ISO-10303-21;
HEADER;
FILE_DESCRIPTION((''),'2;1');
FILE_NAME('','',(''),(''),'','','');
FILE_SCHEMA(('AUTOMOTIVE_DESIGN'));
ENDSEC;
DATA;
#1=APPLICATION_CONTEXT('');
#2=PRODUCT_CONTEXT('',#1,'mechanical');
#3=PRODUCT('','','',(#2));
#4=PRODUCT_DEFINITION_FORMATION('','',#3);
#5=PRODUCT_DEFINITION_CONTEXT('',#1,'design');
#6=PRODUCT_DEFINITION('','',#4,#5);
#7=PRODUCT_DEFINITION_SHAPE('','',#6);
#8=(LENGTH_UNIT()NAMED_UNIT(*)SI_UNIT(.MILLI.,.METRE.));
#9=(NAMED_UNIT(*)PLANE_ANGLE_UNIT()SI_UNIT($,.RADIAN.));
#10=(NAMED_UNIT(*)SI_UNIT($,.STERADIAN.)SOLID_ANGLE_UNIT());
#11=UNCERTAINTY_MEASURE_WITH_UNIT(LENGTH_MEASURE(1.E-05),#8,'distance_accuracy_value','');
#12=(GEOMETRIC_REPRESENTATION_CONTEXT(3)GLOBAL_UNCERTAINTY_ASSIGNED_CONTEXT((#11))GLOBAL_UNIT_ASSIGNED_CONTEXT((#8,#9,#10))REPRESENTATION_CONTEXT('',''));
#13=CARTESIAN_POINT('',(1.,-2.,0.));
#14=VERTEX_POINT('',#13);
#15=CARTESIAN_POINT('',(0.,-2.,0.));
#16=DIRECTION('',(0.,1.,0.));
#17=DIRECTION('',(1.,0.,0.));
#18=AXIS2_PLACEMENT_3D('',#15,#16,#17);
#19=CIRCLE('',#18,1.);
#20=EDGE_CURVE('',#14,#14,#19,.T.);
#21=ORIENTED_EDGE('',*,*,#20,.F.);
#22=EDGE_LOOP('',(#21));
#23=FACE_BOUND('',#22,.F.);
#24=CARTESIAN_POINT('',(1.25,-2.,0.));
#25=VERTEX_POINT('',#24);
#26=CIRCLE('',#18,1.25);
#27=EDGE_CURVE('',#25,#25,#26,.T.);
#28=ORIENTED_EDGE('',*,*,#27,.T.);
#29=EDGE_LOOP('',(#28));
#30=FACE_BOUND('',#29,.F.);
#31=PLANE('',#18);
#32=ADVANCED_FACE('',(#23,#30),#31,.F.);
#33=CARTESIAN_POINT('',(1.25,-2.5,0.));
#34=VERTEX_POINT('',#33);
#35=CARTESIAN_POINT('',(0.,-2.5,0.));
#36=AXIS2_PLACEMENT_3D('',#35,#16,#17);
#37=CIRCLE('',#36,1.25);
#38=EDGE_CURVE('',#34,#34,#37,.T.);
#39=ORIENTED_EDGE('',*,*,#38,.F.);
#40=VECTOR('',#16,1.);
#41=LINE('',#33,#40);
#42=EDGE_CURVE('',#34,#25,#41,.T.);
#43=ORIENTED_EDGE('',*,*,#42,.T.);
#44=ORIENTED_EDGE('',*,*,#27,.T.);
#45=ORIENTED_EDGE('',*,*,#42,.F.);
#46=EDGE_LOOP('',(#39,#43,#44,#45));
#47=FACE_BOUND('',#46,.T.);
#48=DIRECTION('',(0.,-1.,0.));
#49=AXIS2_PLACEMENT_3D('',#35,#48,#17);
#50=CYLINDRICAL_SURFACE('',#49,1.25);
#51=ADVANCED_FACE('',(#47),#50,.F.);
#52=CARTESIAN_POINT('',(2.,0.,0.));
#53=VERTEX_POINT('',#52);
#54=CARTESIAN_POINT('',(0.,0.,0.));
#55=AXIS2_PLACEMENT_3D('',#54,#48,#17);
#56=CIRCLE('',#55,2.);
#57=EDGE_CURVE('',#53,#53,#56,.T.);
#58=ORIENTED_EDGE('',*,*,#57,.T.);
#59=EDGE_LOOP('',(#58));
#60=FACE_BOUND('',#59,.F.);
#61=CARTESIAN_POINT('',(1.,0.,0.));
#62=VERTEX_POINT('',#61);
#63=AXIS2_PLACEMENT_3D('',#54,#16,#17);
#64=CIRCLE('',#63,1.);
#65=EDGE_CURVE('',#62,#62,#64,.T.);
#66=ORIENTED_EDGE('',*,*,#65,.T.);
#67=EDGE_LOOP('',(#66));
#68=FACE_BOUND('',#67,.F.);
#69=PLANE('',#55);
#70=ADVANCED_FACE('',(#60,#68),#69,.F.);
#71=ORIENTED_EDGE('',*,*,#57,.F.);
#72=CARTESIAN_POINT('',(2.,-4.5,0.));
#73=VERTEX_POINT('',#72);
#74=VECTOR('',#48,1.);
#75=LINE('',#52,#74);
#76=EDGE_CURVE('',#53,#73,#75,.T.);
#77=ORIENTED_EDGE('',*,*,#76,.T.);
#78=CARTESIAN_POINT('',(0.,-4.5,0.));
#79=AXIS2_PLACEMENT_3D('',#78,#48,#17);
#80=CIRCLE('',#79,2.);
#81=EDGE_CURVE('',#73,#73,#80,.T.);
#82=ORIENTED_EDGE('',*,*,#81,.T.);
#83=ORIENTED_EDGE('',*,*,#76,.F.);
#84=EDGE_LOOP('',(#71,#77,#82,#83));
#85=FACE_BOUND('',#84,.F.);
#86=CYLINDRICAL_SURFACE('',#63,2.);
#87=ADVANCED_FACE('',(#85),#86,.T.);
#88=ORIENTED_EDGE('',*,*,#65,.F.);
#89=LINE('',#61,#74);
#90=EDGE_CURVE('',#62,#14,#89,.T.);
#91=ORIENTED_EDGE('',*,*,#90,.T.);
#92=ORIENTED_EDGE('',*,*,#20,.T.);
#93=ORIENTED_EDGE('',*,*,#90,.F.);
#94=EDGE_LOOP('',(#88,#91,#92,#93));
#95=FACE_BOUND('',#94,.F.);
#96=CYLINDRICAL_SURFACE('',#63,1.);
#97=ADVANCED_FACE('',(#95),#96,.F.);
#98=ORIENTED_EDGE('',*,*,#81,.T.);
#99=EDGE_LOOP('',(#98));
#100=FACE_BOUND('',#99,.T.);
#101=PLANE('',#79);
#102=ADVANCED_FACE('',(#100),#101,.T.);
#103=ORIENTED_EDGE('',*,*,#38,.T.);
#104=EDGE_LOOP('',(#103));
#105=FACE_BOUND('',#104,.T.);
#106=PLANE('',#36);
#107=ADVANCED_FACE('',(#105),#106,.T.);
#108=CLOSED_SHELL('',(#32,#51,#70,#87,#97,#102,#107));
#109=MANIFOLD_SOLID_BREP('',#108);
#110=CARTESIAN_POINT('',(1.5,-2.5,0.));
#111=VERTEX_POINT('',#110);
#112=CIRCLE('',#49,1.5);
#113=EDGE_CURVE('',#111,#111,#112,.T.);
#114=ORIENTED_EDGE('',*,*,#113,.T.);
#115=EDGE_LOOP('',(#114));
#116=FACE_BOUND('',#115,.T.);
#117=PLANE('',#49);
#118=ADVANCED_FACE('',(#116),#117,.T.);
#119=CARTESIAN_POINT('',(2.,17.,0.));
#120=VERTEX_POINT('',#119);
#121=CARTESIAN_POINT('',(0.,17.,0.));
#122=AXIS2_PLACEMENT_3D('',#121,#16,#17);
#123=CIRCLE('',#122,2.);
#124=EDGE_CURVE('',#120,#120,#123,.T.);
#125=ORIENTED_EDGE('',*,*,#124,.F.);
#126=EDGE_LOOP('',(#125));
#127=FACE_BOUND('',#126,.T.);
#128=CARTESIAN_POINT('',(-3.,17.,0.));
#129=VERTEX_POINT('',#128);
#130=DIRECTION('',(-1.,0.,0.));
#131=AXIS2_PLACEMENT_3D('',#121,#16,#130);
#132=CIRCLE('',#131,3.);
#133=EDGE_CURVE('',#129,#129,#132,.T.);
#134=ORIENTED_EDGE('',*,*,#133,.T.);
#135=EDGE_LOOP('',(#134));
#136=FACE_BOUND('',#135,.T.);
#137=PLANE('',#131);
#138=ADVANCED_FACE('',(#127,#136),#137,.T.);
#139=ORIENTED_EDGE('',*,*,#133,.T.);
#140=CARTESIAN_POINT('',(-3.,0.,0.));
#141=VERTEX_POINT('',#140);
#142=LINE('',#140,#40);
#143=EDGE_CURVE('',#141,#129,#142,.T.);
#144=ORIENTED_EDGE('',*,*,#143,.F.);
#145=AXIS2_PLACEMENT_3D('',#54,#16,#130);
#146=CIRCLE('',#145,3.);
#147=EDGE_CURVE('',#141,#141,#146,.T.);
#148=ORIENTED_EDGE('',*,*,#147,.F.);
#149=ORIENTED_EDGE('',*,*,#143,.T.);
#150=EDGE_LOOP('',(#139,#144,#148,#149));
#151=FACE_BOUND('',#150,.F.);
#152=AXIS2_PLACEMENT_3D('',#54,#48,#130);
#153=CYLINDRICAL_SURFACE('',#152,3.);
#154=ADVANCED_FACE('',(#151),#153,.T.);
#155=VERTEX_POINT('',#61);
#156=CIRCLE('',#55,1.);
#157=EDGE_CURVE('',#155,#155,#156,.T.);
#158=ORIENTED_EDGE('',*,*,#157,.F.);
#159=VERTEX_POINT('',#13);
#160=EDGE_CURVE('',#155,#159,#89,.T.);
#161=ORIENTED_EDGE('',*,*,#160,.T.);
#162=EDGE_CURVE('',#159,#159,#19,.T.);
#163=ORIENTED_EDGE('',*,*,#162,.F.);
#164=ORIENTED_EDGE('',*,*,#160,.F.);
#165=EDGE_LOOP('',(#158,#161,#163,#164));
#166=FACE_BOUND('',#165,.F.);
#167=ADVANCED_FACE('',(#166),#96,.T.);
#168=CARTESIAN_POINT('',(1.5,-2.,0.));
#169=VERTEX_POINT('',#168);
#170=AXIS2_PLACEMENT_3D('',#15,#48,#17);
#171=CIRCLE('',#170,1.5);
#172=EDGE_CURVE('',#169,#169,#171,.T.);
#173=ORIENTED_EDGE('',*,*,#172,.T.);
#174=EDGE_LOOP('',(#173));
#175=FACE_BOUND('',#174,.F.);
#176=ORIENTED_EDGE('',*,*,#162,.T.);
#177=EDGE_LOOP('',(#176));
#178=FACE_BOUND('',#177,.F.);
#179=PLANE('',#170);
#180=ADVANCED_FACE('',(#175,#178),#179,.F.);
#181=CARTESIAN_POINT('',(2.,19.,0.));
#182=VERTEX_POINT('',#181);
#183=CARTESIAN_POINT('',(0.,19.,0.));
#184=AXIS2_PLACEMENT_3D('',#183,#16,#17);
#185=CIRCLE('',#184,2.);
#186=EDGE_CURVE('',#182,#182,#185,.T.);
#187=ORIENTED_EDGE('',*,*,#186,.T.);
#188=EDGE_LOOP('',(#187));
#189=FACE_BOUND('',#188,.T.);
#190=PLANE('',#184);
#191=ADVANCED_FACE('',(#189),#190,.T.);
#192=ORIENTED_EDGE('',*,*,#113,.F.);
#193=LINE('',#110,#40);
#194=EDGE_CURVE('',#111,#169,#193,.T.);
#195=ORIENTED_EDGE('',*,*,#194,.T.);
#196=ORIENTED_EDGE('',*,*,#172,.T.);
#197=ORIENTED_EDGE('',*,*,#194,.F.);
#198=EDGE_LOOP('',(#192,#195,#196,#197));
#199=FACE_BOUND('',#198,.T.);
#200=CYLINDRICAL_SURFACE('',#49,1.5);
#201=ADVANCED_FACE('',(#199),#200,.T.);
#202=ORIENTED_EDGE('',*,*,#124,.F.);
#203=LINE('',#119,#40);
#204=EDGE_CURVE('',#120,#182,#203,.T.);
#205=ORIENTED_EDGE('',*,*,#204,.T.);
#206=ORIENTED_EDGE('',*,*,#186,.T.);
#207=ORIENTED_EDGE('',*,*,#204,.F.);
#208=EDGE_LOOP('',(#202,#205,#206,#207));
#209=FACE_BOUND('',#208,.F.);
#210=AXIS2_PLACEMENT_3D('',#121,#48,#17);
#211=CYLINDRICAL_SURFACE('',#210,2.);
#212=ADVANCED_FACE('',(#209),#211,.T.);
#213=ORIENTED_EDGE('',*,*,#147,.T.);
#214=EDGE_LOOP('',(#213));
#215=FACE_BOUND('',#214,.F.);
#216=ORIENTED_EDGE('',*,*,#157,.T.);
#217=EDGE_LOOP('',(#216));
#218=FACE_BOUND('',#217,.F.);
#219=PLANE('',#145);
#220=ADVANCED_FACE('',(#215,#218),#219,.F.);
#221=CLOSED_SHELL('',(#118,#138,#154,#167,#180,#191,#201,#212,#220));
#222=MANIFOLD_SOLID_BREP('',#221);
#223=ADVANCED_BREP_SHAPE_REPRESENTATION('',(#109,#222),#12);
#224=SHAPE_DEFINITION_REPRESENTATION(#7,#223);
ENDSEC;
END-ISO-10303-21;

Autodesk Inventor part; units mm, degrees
ref_plane "YZ Plane" through (0, 0, 0) normal (1, 0, 0) x (0, 1, 0)
ref_plane "XZ Plane" through (0, 0, 0) normal (0, 1, 0) x (-1, 0, 0)
ref_plane "XY Plane" through (0, 0, 0) normal (0, 0, 1) x (1, 0, 0)
sketch "Sketch1" plane through (0, 0, 0) normal (0, 1, 0) x (-1, 0, 0)
  circle A0 centre (0, 0) radius 3
  dimension "d0" = 6
extrude "Extrusion1" add sketch "Sketch1" along normal blind 17
sketch "Sketch2" plane through (0, 17, 0) normal (0, 1, 0) x (1, 0, 0)
  circle A0 centre (0, 0) radius 2
  dimension "d3" = 4
extrude "Extrusion2" add sketch "Sketch2" along normal blind 2
sketch "Sketch3" plane through (0, 0, 0) normal (0, -1, 0) x (1, 0, 0)
  circle A0 centre (0, 0) radius 2
  dimension "d6" = 4
extrude "Extrusion3" add sketch "Sketch3" along normal blind 4.5 separate body
sketch "Sketch4" plane through (0, 0, 0) normal (0, -1, 0) x (1, 0, 0)
  circle A0 centre (0, 0) radius 1
  dimension "d9" = 2
extrude "Extrusion4" add sketch "Sketch4" along normal blind 2.5 bodies 1
sketch "Sketch5" plane through (0, -2.5, 0) normal (0, -1, 0) x (1, 0, 0)
  circle A0 centre (0, 0) radius 1.5
  dimension "d12" = 3
extrude "Extrusion5" add sketch "Sketch5" against normal blind 0.5 bodies 1
sketch "Sketch6" plane through (0, 0, 0) normal (0, 1, 0) x (1, 0, 0)
  circle A0 centre (0, 0) radius 2 projected
  circle A1 centre (0, 0) radius 1
  dimension "d15" = 2
extrude "Extrusion6" cut sketch "Sketch6" against normal blind 2.5 contours A1 bodies 2
sketch "Sketch7" plane through (0, -2.5, 0) normal (0, 1, 0) x (1, 0, 0)
  circle A0 centre (0, 0) radius 1.25
  dimension "d18" = 2.5
extrude "Extrusion7" cut sketch "Sketch7" along normal blind 0.5 bodies 2
properties part number "Plunger"
